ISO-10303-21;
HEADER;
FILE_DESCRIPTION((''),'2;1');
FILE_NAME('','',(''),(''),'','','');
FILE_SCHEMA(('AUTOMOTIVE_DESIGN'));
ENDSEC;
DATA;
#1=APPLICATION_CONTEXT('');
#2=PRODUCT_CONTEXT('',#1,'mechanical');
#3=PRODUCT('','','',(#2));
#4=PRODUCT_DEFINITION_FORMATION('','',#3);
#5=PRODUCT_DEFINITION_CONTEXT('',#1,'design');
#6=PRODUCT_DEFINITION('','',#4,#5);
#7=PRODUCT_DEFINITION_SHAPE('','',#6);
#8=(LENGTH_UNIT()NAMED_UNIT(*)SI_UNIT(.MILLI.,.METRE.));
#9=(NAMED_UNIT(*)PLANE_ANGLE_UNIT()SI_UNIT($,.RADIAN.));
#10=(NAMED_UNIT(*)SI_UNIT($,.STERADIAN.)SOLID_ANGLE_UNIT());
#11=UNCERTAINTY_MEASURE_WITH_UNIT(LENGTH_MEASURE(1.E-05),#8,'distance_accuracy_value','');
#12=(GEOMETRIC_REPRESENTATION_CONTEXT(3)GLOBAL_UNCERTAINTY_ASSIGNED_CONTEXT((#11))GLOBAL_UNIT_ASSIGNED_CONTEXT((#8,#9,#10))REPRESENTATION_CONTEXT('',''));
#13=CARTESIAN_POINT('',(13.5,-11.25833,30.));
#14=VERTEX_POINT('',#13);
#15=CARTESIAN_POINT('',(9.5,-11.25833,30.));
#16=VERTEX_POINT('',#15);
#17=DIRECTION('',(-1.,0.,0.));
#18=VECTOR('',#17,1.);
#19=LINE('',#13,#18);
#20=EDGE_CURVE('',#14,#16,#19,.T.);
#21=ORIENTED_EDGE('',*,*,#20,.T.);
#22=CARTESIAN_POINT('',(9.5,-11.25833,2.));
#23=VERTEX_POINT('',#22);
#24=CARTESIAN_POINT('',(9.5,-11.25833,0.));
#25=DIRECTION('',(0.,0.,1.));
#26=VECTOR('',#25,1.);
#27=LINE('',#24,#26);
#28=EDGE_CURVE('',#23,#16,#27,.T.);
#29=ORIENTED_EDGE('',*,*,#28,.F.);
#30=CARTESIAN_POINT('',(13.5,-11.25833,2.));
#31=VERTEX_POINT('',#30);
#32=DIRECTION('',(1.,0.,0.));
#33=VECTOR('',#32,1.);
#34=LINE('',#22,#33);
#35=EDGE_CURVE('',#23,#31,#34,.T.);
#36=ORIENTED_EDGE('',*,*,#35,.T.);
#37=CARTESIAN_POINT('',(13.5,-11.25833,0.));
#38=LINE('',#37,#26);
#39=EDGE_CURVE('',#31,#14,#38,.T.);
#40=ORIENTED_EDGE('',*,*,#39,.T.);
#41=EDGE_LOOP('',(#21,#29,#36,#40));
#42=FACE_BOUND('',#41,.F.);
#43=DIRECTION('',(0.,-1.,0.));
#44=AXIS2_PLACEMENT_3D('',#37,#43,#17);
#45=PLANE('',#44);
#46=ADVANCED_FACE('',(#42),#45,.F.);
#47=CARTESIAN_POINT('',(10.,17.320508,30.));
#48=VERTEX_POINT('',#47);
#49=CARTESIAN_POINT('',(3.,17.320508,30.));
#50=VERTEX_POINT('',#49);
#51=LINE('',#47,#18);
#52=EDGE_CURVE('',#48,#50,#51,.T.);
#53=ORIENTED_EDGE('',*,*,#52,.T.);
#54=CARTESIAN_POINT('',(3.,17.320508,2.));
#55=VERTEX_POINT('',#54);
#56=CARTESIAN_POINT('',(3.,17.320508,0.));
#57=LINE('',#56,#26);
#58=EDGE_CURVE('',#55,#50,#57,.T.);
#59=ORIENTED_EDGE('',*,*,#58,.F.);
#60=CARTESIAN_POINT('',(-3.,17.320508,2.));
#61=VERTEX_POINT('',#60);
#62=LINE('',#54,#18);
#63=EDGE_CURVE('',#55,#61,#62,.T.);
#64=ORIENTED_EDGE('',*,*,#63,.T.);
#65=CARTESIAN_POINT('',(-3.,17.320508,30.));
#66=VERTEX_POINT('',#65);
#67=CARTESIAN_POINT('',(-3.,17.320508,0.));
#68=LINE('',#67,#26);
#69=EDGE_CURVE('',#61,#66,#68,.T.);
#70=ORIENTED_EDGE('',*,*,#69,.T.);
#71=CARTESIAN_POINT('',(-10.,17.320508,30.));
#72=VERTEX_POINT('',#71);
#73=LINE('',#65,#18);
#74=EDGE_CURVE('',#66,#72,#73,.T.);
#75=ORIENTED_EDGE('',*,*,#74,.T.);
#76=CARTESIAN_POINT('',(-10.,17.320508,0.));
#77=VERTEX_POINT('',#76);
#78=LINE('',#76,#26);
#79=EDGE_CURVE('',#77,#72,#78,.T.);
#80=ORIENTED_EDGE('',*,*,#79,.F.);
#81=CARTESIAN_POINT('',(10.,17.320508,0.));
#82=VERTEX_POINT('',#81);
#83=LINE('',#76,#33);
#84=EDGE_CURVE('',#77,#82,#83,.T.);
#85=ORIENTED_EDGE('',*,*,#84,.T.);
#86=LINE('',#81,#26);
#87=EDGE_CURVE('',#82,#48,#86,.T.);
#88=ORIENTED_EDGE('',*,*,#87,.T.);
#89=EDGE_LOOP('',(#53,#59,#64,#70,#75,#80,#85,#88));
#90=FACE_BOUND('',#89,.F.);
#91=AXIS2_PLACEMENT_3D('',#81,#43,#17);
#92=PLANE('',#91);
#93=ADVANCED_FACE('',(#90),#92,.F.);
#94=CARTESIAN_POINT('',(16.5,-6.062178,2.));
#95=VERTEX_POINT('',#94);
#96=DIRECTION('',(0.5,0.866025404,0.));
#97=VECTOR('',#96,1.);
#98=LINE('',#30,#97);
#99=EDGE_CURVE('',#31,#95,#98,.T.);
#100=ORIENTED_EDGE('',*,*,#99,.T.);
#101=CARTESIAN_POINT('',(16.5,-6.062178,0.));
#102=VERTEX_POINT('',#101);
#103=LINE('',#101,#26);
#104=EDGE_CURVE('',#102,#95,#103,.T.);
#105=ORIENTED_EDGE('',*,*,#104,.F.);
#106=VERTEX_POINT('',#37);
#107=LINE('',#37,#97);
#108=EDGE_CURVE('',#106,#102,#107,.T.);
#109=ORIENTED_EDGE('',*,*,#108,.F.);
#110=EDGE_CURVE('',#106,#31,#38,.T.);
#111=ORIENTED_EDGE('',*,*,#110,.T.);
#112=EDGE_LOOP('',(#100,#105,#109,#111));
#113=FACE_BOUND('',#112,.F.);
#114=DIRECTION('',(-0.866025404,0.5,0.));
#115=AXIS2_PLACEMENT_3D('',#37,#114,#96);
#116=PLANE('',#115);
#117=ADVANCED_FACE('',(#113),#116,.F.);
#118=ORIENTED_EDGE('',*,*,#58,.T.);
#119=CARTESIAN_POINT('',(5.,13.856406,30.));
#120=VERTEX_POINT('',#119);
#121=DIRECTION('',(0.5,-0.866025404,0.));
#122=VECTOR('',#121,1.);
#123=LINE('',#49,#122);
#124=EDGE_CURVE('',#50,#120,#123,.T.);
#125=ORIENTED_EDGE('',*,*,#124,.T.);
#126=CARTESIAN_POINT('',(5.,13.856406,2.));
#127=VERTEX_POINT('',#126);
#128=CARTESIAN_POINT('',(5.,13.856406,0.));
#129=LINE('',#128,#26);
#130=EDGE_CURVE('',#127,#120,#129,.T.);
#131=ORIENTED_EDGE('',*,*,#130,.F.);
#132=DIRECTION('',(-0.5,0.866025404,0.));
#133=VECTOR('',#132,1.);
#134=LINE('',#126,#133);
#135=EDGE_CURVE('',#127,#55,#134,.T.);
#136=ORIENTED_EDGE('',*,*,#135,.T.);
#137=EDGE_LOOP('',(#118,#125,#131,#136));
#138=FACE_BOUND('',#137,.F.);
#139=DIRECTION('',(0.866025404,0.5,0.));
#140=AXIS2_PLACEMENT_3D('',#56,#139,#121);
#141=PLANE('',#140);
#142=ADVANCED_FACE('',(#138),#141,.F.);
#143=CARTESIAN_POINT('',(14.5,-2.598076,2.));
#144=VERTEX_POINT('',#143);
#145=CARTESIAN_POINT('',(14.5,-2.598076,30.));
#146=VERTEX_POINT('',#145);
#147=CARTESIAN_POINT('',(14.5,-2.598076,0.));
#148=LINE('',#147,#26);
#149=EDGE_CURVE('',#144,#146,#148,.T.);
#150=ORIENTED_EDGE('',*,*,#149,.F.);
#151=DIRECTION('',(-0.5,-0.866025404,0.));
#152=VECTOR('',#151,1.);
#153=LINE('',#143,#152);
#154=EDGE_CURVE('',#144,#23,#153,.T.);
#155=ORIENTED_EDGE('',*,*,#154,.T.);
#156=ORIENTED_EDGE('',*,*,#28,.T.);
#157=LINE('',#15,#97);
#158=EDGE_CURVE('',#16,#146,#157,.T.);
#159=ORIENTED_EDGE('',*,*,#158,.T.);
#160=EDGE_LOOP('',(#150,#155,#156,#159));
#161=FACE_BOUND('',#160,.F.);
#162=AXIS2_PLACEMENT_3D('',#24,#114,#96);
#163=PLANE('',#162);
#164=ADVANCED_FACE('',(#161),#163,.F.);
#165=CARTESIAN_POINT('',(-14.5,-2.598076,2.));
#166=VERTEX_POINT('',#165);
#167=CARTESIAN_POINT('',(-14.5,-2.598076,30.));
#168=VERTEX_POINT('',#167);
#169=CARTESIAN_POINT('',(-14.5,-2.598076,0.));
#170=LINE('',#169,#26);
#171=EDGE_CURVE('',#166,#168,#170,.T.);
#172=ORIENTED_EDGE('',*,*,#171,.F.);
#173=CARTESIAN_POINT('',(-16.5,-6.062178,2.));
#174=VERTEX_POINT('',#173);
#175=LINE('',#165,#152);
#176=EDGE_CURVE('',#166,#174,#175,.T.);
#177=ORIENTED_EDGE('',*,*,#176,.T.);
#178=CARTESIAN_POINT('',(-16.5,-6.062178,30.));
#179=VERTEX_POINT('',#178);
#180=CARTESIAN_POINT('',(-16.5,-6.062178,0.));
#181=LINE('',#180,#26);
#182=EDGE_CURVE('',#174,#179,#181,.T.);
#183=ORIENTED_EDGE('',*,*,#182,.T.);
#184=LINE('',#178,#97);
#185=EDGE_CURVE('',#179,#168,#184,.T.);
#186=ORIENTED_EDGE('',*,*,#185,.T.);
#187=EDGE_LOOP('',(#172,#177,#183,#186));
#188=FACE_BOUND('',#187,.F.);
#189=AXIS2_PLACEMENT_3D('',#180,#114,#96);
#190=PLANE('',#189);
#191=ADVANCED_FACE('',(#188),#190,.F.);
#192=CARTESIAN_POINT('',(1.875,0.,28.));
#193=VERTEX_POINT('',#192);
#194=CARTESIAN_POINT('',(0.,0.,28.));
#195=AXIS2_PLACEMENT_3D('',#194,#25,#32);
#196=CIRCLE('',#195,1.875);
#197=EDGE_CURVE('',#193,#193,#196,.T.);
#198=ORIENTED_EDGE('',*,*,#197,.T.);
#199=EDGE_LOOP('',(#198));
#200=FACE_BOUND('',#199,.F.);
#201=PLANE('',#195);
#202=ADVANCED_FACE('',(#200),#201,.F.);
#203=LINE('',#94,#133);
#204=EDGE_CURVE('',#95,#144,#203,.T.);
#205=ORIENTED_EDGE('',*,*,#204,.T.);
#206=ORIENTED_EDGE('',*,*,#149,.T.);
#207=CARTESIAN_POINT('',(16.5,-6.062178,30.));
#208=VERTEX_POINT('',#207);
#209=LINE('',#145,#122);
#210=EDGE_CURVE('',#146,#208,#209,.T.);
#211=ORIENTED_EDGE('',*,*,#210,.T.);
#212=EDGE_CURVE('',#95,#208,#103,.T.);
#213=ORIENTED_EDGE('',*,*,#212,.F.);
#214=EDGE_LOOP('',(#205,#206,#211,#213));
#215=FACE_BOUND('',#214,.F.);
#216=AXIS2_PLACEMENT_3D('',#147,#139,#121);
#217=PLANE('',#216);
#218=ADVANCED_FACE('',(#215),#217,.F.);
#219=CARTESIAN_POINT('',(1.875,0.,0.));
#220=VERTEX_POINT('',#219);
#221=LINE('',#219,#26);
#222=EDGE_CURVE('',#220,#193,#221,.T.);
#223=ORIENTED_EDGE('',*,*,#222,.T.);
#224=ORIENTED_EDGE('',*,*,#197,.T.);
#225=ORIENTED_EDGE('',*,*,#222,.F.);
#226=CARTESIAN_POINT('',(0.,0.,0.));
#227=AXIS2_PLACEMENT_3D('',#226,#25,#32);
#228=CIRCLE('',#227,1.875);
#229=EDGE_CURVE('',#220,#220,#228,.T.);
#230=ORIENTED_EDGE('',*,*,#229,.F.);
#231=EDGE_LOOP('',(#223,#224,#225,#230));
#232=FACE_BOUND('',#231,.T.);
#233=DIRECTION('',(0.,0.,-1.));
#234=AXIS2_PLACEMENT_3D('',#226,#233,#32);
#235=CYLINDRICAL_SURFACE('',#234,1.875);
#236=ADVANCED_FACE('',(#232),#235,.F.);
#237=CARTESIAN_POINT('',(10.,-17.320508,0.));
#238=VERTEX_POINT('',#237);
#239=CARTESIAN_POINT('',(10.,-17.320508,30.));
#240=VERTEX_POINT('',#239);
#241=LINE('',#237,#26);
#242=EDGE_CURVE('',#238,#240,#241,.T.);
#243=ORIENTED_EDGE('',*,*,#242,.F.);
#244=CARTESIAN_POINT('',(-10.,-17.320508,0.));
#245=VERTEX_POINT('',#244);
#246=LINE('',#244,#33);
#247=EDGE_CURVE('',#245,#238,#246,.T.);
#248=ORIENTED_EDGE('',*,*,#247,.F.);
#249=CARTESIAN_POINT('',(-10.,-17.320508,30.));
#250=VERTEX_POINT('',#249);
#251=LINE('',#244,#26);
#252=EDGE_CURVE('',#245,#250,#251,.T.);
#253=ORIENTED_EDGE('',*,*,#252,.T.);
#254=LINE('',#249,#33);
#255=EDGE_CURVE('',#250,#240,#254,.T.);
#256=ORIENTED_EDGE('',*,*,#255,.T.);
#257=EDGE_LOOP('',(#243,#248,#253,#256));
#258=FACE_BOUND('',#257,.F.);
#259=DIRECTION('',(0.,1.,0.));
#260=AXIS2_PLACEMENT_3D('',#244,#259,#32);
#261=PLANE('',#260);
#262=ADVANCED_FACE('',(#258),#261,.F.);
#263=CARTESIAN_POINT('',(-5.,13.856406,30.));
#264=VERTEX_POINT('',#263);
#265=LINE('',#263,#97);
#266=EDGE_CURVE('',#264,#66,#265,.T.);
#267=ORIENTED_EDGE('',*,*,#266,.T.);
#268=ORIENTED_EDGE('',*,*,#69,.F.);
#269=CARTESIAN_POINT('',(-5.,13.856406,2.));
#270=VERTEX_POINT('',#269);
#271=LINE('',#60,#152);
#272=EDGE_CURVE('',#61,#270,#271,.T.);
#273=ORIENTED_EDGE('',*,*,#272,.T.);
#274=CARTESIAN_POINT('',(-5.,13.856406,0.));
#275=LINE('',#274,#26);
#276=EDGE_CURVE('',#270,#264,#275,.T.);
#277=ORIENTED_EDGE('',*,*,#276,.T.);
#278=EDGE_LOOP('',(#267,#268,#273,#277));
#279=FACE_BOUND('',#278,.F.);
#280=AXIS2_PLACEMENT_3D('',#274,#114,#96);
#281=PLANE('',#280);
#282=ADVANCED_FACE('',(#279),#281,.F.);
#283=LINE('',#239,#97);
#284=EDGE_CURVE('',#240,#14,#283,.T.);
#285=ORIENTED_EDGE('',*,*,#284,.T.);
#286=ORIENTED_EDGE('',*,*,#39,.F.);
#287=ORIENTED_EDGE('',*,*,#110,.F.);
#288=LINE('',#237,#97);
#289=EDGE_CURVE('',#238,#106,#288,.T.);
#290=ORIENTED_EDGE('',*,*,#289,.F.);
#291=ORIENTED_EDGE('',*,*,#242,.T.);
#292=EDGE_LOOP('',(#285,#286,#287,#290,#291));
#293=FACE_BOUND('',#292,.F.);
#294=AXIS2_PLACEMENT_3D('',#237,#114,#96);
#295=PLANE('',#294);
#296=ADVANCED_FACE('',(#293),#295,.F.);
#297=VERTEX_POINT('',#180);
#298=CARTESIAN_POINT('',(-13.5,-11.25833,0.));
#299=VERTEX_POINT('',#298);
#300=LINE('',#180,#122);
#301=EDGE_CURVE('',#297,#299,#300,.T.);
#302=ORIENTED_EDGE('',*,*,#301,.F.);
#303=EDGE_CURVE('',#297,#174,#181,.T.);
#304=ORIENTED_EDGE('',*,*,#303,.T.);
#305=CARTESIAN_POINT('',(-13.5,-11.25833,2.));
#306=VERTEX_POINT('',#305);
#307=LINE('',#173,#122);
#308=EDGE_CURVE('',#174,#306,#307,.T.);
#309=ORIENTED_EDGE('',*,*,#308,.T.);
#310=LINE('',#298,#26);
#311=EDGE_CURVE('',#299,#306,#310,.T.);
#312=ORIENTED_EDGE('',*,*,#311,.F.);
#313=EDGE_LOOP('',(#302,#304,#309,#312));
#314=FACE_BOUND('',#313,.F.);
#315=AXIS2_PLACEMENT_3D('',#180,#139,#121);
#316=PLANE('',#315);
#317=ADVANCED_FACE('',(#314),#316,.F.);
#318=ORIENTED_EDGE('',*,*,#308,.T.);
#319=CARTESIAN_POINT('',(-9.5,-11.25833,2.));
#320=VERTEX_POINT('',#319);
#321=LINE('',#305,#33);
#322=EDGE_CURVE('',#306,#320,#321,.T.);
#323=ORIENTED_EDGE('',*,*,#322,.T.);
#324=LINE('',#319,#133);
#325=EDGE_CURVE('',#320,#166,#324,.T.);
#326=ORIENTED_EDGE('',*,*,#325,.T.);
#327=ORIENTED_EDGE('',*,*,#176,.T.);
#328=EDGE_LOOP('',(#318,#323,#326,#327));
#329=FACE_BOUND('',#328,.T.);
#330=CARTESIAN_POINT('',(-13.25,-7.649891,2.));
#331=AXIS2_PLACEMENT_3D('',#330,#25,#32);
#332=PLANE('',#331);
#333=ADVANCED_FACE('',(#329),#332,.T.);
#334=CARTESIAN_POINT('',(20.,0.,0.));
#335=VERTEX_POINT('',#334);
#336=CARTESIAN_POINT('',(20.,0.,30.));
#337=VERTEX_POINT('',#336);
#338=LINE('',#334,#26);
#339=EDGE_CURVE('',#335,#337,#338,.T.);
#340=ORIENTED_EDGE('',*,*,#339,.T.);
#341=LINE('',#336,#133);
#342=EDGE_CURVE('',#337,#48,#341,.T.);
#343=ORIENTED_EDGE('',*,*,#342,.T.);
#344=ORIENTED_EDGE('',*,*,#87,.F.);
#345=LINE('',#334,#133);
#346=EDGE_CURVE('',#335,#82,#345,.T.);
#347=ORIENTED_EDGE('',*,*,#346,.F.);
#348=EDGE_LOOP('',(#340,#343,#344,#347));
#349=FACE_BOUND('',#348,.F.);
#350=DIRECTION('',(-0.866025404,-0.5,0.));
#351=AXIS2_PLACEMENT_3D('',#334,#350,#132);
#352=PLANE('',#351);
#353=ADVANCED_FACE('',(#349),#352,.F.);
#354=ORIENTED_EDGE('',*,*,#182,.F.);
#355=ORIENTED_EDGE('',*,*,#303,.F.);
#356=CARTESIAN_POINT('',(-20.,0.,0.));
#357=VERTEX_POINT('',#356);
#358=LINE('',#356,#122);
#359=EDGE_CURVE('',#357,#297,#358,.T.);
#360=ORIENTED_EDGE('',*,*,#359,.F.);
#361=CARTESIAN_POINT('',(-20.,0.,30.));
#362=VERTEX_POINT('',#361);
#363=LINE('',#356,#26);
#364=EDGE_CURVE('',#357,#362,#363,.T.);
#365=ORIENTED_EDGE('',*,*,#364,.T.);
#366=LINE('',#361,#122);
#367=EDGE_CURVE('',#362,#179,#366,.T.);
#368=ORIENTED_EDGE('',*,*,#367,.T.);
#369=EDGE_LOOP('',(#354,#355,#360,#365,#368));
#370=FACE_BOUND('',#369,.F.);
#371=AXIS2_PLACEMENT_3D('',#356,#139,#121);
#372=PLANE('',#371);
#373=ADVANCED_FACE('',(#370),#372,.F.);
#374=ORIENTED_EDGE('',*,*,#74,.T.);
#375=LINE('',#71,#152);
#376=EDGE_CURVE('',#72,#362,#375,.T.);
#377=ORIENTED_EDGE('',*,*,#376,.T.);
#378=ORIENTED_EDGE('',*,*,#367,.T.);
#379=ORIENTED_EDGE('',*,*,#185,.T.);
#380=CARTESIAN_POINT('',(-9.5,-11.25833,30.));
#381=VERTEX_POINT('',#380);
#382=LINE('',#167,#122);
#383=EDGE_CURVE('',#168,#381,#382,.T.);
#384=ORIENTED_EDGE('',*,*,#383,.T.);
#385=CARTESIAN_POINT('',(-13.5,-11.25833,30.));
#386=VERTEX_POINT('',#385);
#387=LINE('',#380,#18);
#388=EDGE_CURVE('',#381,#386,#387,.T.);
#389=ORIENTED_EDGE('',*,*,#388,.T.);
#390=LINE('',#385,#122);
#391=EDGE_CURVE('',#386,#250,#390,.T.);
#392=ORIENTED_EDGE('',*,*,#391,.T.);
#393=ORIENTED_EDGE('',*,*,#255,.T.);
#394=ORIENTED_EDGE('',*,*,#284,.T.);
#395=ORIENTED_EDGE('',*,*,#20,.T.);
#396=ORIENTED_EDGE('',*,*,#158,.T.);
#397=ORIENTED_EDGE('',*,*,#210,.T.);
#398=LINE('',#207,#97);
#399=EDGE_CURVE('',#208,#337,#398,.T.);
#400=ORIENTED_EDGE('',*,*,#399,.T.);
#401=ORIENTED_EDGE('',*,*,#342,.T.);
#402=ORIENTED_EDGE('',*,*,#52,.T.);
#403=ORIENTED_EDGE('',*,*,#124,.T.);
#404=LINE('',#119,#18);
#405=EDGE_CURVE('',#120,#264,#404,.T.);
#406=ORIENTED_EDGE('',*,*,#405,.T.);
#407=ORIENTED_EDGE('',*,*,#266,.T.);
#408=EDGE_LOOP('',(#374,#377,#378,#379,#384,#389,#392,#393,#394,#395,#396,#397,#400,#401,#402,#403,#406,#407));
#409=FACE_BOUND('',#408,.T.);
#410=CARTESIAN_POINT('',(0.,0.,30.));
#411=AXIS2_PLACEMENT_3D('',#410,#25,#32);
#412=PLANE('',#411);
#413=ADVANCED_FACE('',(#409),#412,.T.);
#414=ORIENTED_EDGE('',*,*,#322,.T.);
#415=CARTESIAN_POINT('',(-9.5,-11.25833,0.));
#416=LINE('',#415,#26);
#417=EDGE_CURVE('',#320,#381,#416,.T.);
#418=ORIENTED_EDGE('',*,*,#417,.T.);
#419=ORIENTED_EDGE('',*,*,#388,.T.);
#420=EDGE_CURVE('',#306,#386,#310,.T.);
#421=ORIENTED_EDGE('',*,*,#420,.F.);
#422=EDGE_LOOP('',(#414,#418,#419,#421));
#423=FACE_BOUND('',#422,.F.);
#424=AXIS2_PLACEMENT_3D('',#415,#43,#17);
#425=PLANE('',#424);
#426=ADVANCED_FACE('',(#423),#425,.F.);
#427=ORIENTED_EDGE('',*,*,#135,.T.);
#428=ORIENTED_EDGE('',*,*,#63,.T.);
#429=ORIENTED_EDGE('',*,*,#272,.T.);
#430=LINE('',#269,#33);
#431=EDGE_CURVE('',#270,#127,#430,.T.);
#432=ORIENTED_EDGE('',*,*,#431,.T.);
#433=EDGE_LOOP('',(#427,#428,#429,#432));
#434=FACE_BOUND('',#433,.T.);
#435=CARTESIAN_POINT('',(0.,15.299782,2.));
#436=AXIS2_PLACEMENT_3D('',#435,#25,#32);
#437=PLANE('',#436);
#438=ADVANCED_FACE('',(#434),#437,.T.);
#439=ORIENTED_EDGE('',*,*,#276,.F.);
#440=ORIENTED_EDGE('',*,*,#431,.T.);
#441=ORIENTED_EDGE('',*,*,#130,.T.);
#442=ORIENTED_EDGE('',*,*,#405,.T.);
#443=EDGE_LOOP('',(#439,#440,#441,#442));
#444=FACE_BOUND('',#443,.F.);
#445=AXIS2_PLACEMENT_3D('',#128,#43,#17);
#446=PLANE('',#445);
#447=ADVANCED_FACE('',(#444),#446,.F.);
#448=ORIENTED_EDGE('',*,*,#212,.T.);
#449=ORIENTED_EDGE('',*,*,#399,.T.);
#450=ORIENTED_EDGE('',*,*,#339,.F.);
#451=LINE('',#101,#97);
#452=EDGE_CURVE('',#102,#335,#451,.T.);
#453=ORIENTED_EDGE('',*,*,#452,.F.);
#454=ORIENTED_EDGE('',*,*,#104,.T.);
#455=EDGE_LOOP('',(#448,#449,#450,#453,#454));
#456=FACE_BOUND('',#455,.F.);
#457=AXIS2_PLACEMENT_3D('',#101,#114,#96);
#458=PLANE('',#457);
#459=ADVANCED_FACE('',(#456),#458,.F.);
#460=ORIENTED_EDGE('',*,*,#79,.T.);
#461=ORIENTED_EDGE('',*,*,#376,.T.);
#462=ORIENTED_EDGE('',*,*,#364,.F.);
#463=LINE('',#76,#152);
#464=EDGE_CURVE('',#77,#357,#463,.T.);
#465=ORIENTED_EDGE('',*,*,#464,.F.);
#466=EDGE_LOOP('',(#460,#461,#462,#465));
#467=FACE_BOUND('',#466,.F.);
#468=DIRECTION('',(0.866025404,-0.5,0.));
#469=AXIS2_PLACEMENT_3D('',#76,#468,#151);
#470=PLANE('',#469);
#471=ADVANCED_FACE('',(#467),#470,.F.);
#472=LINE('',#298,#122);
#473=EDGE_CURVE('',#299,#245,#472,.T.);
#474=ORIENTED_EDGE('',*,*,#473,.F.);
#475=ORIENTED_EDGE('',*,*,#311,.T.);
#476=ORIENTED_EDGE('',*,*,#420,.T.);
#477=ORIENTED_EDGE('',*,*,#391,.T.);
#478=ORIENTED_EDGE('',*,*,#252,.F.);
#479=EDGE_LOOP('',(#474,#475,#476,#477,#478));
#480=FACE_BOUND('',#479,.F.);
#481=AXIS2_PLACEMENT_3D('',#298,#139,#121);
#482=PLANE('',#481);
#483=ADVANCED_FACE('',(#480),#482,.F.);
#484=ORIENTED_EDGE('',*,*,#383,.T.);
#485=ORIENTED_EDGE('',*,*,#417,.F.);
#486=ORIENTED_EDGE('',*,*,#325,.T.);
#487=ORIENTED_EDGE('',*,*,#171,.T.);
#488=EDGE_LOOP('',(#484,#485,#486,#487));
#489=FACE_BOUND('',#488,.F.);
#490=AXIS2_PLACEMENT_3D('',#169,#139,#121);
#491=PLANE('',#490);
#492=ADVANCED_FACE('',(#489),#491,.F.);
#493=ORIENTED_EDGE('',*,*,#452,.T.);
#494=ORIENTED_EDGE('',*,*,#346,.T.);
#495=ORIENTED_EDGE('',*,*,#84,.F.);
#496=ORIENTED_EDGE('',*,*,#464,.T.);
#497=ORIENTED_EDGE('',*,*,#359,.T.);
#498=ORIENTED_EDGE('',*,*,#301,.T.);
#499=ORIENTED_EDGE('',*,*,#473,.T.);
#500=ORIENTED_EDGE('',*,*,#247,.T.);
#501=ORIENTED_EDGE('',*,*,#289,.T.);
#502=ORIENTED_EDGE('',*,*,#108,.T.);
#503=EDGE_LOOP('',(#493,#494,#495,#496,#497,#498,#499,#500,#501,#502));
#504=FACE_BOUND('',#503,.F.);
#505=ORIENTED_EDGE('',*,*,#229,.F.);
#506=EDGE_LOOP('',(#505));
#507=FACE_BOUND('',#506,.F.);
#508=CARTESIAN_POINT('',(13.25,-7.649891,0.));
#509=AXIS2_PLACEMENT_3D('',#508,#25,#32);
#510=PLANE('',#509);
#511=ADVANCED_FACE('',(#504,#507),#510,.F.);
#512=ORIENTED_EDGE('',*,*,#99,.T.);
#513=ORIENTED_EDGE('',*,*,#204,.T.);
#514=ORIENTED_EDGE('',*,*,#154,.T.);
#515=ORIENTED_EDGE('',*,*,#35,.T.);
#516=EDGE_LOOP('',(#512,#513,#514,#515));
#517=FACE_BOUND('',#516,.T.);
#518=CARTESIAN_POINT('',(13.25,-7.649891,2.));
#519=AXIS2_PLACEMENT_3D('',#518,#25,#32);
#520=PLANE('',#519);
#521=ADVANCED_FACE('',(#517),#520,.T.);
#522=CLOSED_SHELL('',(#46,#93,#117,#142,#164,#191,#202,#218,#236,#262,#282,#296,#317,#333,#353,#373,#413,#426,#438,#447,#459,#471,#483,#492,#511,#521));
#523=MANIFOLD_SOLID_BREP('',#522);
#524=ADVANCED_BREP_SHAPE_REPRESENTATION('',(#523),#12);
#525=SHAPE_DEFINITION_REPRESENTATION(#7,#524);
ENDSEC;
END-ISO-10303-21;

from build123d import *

# Parameters (mm, degrees)
F0_R     = 1.875
F1_DEPTH = 30
F2_DEPTH = 2
F3_START = 28
F3_DEPTH = 2


with BuildPart() as f1:
    # F0 (on Top) → F1 (new body)
    with BuildSketch(Plane.XY):
        Polygon((16.5, -6.0621778265), (20, 0), (10, 17.3205080757), (3, 17.3205080757), (5, 13.8564064606), (-5, 13.8564064606), (-3, 17.3205080757), (-10, 17.3205080757), (-20, 0), (-16.5, -6.0621778265), (-14.5, -2.5980762114), (-9.5, -11.2583302492), (-13.5, -11.2583302492), (-10, -17.3205080757), (10, -17.3205080757), (13.5, -11.2583302492), (9.5, -11.2583302492), (14.5, -2.5980762114), align=None)
        Circle(F0_R, mode=Mode.SUBTRACT)
    extrude(amount=F1_DEPTH)

    # F0 (on Top) → F2 (join)
    with BuildSketch(Plane.XY):
        Polygon((13.5, -11.2583302492), (16.5, -6.0621778265), (14.5, -2.5980762114), (9.5, -11.2583302492), align=None)
        Polygon((-16.5, -6.0621778265), (-13.5, -11.2583302492), (-9.5, -11.2583302492), (-14.5, -2.5980762114), align=None)
        Polygon((5, 13.8564064606), (3, 17.3205080757), (-3, 17.3205080757), (-5, 13.8564064606), align=None)
    extrude(amount=F2_DEPTH)

    # F0 (on Top) → F3 (join)
    with BuildSketch(Plane.XY.offset(F3_START)):
        Circle(F0_R)
    extrude(amount=F3_DEPTH)


solid = f1.part
